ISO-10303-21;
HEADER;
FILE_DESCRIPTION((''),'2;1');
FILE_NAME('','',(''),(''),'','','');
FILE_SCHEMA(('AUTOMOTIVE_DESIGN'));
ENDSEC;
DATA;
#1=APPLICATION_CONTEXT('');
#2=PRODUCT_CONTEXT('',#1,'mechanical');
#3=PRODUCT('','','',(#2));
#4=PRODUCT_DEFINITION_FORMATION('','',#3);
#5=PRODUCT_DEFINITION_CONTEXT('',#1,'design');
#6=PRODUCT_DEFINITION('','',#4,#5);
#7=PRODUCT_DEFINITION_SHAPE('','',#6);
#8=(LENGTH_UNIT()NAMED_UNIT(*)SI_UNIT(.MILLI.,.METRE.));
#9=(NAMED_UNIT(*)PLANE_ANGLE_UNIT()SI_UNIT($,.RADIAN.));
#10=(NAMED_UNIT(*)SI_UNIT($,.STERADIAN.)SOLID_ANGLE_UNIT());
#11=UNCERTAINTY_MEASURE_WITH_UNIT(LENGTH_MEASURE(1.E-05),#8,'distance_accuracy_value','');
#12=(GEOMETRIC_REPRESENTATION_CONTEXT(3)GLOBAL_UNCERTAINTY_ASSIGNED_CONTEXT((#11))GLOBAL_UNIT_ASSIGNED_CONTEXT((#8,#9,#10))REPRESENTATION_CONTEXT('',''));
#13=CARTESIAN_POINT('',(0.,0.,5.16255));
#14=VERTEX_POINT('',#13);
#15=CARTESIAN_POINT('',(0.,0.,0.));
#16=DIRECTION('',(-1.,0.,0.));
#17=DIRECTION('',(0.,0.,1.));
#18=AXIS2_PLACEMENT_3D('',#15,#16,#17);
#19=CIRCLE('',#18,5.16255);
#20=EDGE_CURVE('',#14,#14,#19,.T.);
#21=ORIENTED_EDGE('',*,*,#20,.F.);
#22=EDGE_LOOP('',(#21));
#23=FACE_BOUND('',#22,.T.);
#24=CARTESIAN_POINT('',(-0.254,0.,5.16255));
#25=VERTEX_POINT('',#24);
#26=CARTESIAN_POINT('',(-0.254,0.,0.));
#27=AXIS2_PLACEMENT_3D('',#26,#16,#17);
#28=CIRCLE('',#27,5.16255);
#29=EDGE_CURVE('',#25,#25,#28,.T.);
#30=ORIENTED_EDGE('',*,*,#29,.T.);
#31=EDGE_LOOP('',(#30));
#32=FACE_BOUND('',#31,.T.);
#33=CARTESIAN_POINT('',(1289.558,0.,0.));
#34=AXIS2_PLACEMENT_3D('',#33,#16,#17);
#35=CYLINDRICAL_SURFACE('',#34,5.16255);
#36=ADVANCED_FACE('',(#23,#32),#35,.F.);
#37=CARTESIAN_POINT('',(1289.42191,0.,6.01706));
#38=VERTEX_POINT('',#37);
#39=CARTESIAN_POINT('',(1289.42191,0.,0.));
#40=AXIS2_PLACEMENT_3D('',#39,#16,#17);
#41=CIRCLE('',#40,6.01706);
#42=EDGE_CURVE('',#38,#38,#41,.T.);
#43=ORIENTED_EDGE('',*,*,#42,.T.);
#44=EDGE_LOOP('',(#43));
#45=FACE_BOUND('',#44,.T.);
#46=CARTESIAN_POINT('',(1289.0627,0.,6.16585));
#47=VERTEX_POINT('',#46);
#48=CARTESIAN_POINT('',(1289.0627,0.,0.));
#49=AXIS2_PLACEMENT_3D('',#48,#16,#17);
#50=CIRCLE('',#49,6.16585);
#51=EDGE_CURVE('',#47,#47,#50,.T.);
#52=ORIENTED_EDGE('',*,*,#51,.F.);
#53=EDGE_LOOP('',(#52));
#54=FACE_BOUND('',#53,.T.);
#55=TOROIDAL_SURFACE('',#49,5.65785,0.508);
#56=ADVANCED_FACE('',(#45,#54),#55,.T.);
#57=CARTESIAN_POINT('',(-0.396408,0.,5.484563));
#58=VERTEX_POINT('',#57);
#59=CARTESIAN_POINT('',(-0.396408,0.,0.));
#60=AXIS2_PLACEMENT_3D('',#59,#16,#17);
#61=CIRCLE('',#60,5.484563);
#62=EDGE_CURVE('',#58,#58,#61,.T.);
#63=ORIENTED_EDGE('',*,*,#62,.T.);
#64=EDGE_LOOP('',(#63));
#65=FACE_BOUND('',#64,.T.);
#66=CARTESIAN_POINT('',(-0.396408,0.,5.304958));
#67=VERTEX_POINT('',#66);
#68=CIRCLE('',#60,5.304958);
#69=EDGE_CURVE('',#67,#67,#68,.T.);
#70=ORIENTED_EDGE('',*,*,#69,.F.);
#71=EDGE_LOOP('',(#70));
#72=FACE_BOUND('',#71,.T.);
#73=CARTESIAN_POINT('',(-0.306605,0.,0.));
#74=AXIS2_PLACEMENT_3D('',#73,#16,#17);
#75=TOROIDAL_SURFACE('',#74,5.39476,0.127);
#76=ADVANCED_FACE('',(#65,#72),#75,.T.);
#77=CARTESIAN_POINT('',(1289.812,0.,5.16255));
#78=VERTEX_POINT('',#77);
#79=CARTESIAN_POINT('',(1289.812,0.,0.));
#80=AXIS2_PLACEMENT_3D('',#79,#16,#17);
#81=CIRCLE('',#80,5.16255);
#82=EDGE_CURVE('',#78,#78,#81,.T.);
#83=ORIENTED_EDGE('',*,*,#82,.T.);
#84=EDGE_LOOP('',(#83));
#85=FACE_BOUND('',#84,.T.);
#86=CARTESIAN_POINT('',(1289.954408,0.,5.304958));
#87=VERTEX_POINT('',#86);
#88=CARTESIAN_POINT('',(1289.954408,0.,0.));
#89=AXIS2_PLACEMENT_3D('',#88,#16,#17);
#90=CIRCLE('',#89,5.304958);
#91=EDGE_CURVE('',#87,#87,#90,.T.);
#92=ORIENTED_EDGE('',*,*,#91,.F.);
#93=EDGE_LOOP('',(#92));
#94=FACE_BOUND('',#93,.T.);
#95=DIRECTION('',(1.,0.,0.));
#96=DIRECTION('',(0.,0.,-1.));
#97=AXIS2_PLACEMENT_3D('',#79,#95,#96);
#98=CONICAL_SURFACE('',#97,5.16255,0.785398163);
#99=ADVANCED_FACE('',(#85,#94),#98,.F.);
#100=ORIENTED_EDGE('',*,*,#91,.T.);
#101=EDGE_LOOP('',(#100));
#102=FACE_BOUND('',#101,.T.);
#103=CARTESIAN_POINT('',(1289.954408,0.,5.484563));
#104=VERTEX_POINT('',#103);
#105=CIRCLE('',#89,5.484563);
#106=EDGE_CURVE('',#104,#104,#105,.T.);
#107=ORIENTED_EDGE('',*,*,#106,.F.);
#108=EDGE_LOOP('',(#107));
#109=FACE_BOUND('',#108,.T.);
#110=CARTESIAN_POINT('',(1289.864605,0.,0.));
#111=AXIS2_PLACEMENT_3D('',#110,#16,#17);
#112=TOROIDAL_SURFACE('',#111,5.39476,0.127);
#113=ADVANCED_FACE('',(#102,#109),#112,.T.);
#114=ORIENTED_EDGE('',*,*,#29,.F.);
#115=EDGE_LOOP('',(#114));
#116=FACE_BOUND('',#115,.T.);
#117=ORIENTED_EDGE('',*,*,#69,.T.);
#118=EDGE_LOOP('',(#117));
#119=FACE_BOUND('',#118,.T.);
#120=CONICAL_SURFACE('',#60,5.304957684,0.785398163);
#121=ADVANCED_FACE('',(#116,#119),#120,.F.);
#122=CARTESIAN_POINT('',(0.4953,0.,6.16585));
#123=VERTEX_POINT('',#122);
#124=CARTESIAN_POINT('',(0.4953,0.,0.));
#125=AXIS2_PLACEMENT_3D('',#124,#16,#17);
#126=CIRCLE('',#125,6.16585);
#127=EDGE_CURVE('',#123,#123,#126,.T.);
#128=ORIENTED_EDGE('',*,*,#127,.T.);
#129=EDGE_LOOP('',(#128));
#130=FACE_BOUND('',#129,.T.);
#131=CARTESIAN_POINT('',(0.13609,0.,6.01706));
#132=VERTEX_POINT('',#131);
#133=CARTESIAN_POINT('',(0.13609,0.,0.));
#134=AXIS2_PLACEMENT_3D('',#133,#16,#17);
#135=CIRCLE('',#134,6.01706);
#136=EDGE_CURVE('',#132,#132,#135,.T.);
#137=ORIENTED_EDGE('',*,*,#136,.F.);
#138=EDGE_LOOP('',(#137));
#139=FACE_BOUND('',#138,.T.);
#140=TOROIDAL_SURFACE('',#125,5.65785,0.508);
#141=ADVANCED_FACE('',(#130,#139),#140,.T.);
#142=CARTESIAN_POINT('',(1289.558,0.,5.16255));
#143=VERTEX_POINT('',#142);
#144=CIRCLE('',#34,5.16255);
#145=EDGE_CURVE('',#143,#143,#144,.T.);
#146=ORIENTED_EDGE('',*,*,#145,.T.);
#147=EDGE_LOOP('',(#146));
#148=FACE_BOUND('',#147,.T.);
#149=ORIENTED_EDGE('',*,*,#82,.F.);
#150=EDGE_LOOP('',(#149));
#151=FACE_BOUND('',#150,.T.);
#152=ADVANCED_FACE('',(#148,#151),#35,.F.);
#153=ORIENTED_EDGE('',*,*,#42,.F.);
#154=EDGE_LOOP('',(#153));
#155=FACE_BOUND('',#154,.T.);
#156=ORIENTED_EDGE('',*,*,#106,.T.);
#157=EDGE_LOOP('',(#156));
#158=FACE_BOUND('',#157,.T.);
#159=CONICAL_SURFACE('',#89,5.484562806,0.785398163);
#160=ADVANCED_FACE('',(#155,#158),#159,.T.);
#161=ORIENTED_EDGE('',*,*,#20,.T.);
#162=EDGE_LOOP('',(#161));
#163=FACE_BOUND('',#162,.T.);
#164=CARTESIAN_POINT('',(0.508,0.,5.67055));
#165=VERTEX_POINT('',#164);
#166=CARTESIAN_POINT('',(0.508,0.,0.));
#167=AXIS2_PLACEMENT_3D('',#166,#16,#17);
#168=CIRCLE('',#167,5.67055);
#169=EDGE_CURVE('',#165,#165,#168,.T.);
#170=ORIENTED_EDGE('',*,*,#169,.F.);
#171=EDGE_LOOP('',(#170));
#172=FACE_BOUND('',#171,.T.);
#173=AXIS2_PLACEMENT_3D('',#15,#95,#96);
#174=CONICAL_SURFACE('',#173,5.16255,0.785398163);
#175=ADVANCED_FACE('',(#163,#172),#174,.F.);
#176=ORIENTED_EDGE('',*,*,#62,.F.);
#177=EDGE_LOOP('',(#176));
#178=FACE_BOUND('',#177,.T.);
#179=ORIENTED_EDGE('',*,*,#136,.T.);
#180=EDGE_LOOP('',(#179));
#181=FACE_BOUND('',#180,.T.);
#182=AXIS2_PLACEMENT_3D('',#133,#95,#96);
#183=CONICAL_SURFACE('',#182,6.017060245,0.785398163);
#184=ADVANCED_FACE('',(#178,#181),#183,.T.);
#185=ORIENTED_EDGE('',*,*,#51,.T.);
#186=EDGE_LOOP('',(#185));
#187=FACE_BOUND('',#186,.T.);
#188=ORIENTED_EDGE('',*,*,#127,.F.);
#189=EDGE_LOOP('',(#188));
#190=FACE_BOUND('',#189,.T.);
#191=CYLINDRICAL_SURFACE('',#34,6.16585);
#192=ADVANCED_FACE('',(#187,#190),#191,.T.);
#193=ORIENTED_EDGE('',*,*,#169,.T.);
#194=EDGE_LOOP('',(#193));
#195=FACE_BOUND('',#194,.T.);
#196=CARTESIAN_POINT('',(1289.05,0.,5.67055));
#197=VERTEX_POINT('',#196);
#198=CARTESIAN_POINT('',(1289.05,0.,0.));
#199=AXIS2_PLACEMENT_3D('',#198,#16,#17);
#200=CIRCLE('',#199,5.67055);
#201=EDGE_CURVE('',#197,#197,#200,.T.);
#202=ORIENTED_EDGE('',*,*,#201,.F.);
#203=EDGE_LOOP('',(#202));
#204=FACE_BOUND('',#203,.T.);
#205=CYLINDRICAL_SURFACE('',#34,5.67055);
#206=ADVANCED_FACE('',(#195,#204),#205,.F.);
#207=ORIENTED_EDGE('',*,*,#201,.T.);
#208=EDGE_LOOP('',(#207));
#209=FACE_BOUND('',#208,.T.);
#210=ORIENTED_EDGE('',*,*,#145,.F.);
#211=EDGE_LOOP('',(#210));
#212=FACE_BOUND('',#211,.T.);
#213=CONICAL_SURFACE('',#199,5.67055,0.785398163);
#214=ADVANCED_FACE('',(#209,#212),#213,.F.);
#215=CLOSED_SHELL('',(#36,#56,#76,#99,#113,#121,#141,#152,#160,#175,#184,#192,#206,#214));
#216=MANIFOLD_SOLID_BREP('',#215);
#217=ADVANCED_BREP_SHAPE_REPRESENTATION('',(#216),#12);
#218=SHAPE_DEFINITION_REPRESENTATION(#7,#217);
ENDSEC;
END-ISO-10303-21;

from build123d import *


with BuildPart() as part:
    # Sketch1 → Revolve1 (revolve)
    with BuildSketch(Plane.XY):
        with BuildLine():
            Line((-0.396407684, 5.304957684), (-0.254, 5.16255))
            Line((-0.254, 5.16255), (0, 5.16255))
            Line((0, 5.16255), (0.508, 5.67055))
            Line((0.508, 5.67055), (1289.05, 5.67055))
            Line((1289.05, 5.67055), (1289.558, 5.16255))
            Line((1289.558, 5.16255), (1289.812, 5.16255))
            Line((1289.812, 5.16255), (1289.954407684, 5.304957684))
            ThreePointArc((1289.954407684, 5.304957684), (1289.991605122, 5.394760245), (1289.954407684, 5.484562806))
            Line((1289.954407684, 5.484562806), (1289.421910245, 6.017060245))
            ThreePointArc((1289.421910245, 6.017060245), (1289.257103184, 6.127180803), (1289.0627, 6.16585))
            Line((1289.0627, 6.16585), (0.4953, 6.16585))
            ThreePointArc((0.4953, 6.16585), (0.300896816, 6.127180803), (0.136089755, 6.017060245))
            Line((0.136089755, 6.017060245), (-0.396407684, 5.484562806))
            ThreePointArc((-0.396407684, 5.484562806), (-0.433605122, 5.394760245), (-0.396407684, 5.304957684))
        make_face()
    revolve(axis=Axis((1289.558, 0, 0), (-1, 0, 0)))


solid = part.part
